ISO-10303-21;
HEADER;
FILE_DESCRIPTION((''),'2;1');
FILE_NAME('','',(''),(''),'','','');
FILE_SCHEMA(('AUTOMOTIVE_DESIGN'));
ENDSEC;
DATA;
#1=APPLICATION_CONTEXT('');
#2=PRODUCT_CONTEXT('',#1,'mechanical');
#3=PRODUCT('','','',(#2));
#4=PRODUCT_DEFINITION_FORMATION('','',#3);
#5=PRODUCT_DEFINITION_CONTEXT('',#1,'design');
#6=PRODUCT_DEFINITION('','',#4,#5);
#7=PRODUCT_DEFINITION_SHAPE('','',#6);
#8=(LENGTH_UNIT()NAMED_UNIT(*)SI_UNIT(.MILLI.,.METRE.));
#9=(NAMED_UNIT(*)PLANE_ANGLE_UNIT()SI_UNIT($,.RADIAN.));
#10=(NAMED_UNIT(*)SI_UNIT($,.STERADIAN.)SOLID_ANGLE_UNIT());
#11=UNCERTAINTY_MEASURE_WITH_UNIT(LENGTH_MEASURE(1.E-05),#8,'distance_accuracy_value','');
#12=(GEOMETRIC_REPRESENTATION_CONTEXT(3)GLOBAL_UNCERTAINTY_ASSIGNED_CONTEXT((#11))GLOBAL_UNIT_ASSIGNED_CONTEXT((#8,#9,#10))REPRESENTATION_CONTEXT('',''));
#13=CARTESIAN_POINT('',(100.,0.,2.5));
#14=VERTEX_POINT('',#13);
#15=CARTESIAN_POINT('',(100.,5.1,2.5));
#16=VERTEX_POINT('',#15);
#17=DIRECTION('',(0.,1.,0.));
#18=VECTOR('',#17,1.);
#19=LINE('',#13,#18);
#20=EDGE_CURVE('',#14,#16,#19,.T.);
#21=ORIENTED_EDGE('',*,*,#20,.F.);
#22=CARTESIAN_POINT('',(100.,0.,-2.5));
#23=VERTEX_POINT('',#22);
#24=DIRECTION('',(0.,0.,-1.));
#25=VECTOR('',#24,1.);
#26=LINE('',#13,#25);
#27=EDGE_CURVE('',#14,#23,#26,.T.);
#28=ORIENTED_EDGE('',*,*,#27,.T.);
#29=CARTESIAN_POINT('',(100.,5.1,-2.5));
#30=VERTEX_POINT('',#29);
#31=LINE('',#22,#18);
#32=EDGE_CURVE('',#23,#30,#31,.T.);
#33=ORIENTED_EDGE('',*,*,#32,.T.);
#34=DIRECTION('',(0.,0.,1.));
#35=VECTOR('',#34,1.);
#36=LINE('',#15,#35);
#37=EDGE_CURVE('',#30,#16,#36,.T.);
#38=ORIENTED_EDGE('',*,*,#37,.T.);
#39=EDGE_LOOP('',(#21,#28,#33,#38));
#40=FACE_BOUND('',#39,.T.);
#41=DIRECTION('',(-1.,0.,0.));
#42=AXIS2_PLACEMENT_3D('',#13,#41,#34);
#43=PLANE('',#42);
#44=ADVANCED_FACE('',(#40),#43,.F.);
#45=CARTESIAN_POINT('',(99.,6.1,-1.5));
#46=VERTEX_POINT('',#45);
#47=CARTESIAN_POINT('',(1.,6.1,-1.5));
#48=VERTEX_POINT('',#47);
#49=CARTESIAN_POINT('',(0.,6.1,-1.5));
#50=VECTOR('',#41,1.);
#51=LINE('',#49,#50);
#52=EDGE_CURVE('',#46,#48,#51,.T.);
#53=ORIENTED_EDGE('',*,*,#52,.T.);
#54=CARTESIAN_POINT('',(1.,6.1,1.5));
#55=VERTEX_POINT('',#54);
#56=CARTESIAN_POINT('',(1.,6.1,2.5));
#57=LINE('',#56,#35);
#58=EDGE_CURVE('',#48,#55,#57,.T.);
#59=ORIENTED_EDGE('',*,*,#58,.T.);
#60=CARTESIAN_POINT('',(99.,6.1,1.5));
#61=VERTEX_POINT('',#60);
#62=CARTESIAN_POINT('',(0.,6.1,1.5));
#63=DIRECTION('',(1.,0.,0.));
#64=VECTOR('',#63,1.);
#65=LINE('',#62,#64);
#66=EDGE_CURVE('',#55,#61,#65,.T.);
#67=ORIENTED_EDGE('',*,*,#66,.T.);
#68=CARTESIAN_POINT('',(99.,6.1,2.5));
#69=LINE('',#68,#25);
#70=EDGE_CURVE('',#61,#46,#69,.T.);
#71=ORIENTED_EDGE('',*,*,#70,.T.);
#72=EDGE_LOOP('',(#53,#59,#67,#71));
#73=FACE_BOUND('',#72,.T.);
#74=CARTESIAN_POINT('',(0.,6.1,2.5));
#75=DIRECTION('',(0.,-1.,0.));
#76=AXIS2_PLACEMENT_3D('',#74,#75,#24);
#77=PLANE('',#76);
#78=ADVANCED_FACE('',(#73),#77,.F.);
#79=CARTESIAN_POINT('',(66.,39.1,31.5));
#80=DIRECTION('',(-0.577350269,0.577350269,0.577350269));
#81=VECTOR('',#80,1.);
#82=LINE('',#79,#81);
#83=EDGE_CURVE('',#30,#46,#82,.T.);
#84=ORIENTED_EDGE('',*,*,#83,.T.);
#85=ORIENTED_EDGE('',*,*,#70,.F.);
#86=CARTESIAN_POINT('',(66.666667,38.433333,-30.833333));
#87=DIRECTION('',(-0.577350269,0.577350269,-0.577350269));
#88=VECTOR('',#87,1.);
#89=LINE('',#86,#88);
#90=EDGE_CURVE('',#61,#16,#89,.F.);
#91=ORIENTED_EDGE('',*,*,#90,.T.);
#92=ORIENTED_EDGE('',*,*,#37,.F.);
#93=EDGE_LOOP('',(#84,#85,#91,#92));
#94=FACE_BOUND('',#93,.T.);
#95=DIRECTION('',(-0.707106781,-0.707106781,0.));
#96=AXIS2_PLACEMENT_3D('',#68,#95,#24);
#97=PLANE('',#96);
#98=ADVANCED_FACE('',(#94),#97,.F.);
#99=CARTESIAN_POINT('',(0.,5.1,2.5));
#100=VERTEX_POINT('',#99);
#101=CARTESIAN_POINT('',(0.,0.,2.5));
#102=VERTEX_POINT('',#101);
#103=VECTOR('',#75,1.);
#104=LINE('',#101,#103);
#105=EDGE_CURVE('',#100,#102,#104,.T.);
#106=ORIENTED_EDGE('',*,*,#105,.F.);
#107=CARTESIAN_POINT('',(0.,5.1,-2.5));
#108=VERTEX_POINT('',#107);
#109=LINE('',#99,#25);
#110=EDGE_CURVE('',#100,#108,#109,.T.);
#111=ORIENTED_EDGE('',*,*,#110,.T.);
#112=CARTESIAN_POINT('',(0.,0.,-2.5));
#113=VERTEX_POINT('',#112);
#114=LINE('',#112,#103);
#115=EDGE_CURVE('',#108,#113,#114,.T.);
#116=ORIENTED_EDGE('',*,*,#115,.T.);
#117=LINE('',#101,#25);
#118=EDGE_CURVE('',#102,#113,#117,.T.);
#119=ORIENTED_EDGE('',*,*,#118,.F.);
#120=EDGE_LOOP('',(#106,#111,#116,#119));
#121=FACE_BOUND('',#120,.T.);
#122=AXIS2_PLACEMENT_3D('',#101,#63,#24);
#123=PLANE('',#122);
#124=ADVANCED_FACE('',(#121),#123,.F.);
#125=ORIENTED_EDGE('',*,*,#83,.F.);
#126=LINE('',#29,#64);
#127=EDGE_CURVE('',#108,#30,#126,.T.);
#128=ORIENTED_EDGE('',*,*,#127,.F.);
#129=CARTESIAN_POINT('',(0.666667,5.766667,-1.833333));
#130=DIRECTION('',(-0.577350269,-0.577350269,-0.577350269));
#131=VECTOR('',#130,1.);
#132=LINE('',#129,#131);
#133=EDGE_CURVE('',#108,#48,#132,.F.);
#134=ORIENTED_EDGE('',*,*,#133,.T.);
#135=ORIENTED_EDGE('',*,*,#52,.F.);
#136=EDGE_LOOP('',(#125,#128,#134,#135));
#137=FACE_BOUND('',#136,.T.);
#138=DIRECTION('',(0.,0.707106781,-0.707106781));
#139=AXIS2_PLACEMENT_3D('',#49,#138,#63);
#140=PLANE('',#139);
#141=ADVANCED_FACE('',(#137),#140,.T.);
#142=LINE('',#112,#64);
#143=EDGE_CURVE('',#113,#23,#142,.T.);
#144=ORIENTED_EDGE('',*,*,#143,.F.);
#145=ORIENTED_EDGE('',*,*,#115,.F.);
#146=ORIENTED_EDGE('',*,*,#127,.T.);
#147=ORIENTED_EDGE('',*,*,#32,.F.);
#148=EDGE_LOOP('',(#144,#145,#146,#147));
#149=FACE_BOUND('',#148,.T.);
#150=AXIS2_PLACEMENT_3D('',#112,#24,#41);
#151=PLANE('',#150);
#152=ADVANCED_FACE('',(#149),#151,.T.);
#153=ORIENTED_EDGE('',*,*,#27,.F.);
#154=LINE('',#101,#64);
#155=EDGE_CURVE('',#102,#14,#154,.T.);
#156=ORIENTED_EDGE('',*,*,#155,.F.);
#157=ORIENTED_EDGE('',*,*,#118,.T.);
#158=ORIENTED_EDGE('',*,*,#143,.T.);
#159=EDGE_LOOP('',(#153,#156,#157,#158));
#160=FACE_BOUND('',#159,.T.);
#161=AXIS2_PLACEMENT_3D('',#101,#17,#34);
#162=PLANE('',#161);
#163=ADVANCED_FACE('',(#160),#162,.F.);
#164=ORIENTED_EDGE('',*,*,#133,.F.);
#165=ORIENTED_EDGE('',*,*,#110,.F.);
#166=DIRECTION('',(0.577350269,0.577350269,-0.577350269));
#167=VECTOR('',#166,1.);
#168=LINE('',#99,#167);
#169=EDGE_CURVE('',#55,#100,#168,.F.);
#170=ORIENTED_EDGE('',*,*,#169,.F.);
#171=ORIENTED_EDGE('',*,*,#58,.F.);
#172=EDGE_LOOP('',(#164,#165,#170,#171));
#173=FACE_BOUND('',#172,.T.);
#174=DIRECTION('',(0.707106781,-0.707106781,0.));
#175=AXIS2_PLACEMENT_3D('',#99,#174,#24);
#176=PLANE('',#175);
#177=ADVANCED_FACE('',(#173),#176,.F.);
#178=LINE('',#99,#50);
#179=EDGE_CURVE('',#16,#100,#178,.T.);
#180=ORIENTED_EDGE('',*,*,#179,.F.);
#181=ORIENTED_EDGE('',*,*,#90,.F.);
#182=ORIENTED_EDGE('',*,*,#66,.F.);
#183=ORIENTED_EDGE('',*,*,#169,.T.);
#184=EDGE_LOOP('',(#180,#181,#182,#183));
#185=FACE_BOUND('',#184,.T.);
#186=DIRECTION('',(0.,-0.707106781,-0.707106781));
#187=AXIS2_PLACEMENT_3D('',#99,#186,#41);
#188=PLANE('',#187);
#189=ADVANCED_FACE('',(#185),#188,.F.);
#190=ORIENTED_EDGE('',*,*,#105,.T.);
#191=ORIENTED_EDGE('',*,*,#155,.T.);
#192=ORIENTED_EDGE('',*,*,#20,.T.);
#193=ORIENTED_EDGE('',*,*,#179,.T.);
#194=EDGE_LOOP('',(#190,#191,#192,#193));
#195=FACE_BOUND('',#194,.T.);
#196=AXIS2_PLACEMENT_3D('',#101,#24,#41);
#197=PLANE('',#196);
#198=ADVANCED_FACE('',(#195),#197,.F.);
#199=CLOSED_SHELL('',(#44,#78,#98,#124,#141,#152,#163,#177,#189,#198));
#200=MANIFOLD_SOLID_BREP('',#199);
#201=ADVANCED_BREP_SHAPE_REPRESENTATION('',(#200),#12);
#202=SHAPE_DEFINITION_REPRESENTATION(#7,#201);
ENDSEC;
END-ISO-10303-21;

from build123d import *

# Parameters (mm, degrees)
SKETCH_1_W      = 100
SKETCH_1_H      = 6.1
EXTRUDE_1_DEPTH = 2.5
CHAMFER_1_SIZE  = 1


with BuildPart() as part:
    # 스케치1 → 보스-돌출1 (new, symmetric)
    with BuildSketch(Plane.XY):
        with Locations((50, 3.05)):
            Rectangle(SKETCH_1_W, SKETCH_1_H)
    extrude(amount=EXTRUDE_1_DEPTH, both=True)

    # 모따기1
    chamfer_1_edges = [part.edges().sort_by_distance(p)[0] for p in [
        (50, 6.1, 2.5),
        (50, 6.1, -2.5),
        (0, 6.1, 0),
        (100, 6.1, 0),
    ]]
    chamfer(chamfer_1_edges, length=CHAMFER_1_SIZE)


solid = part.part
